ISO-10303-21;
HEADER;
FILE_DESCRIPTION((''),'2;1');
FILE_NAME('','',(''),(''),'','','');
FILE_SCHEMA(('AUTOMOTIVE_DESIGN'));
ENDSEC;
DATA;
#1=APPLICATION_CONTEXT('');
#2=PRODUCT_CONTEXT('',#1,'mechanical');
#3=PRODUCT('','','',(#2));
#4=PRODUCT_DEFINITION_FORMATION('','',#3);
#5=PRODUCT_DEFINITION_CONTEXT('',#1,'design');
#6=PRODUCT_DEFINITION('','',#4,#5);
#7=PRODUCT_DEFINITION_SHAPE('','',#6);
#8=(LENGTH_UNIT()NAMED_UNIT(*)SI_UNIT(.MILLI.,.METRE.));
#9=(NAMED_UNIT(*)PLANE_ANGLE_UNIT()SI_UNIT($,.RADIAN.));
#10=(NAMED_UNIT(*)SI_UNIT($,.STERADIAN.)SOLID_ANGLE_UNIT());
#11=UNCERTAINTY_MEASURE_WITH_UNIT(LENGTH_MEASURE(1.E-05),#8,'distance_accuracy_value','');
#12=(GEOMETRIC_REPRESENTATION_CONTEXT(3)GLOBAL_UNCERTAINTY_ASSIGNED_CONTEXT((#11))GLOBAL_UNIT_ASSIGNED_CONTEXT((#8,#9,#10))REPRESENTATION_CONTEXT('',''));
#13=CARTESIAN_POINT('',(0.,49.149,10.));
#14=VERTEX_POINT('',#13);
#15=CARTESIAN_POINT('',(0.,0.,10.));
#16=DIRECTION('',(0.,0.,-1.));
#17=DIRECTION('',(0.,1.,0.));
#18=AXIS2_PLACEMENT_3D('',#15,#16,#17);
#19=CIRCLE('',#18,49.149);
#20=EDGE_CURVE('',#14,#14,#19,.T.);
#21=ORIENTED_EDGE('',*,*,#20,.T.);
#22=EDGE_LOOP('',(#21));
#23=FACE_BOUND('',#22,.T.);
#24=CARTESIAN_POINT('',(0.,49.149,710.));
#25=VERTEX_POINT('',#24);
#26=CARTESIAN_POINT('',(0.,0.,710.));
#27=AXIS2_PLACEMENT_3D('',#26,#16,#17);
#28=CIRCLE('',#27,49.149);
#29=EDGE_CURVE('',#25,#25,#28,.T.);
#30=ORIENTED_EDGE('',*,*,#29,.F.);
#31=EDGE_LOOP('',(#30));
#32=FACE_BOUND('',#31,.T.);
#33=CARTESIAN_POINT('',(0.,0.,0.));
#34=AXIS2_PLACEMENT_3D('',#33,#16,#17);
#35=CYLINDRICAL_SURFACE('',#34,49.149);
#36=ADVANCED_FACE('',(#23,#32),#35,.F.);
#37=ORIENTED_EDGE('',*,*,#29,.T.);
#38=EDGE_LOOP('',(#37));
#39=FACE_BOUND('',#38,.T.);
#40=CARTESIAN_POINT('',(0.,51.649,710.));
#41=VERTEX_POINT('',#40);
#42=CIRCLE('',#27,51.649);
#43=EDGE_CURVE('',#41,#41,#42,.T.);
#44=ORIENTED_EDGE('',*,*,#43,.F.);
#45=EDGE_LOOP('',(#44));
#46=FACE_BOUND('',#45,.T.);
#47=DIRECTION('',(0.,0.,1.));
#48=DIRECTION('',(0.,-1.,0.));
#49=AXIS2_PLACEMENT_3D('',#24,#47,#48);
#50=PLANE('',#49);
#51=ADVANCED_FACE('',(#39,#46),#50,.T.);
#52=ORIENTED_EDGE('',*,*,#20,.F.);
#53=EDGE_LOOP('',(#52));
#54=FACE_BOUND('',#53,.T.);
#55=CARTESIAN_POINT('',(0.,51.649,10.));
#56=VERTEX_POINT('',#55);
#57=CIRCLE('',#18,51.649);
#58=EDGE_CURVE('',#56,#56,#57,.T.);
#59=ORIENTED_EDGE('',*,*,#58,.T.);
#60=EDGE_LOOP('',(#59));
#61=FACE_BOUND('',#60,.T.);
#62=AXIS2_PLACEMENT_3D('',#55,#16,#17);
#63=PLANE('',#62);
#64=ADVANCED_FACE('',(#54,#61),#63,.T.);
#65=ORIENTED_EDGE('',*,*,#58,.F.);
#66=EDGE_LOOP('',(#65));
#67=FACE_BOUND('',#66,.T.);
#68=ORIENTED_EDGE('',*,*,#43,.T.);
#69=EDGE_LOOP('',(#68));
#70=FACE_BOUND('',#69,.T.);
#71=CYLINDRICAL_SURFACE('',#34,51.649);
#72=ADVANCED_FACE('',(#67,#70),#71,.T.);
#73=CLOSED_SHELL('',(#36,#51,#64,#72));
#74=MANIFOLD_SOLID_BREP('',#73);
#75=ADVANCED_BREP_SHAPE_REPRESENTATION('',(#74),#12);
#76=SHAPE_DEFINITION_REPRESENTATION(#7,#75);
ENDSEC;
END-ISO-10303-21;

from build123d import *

# Parameters (mm, degrees)
ESQUISSE2_W = 700
ESQUISSE2_H = 2.5


with BuildPart() as part:
    # Esquisse2 → Révolution1 (revolve)
    with BuildSketch(Plane(origin=(0, 0, 0), x_dir=(0, 0, -1), z_dir=(1, 0, 0))):
        with Locations((-360, 50.399)):
            Rectangle(ESQUISSE2_W, ESQUISSE2_H)
    revolve(axis=Axis((0, 0, 0), (0, 0, 1)))


solid = part.part
